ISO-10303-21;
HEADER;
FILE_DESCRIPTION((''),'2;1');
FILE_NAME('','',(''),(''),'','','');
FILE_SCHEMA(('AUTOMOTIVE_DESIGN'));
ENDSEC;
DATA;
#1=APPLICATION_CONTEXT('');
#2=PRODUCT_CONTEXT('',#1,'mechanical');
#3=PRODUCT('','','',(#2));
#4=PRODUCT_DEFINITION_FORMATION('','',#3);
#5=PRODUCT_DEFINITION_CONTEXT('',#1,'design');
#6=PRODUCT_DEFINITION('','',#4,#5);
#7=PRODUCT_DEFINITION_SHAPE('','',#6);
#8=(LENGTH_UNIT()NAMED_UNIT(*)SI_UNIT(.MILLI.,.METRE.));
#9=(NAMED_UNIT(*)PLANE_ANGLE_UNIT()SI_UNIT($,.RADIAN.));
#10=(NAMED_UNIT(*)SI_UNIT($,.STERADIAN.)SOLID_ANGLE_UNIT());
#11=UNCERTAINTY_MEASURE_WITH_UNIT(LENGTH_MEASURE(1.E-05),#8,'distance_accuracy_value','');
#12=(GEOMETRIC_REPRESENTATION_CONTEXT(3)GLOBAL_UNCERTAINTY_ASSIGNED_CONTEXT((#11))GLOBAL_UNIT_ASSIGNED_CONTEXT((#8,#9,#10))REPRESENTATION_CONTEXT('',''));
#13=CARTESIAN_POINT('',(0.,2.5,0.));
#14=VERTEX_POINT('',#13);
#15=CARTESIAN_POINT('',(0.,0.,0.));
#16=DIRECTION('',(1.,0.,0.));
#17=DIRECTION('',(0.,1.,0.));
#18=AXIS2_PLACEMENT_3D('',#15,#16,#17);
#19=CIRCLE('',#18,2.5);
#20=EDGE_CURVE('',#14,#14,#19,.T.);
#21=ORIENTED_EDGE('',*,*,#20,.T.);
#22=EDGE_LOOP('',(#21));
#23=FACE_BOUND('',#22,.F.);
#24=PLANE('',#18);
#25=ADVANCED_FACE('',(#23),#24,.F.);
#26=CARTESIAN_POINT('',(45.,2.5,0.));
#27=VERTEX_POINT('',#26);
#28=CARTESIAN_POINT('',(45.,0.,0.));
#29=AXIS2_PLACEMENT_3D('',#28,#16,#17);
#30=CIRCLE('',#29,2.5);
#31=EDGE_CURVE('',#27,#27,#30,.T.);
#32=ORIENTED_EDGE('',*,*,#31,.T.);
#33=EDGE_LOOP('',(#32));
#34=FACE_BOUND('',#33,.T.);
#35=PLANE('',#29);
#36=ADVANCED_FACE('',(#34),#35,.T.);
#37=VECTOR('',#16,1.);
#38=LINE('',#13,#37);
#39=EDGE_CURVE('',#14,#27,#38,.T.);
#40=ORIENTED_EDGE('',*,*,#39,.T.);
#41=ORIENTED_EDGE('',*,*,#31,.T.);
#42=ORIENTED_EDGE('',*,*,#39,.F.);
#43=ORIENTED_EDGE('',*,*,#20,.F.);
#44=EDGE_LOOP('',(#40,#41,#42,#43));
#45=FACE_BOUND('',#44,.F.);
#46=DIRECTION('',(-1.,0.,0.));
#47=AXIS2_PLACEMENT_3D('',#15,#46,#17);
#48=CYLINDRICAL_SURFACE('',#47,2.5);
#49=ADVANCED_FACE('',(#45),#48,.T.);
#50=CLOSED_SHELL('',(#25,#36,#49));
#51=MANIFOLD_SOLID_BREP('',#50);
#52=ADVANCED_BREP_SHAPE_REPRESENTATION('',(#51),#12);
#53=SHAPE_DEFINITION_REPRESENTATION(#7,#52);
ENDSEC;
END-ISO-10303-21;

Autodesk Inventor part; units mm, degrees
ref_plane "YZ Plane" through (0, 0, 0) normal (1, 0, 0) x (0, 1, 0)
ref_plane "XZ Plane" through (0, 0, 0) normal (0, 1, 0) x (-1, 0, 0)
ref_plane "XY Plane" through (0, 0, 0) normal (0, 0, 1) x (1, 0, 0)
sketch "Sketch1" plane through (0, 0, 0) normal (1, 0, 0) x (0, 1, 0)
  circle A0 centre (0, 0) radius 2.5
  dimension "d0" = 5
extrude "Extrusion1" add sketch "Sketch1" along normal blind 45
thread "Thread1" size "3/8-32 UNEF" class "2A" standard "ANSI Unified Screw Threads" full length
properties part number "Forefingers Rod4"
